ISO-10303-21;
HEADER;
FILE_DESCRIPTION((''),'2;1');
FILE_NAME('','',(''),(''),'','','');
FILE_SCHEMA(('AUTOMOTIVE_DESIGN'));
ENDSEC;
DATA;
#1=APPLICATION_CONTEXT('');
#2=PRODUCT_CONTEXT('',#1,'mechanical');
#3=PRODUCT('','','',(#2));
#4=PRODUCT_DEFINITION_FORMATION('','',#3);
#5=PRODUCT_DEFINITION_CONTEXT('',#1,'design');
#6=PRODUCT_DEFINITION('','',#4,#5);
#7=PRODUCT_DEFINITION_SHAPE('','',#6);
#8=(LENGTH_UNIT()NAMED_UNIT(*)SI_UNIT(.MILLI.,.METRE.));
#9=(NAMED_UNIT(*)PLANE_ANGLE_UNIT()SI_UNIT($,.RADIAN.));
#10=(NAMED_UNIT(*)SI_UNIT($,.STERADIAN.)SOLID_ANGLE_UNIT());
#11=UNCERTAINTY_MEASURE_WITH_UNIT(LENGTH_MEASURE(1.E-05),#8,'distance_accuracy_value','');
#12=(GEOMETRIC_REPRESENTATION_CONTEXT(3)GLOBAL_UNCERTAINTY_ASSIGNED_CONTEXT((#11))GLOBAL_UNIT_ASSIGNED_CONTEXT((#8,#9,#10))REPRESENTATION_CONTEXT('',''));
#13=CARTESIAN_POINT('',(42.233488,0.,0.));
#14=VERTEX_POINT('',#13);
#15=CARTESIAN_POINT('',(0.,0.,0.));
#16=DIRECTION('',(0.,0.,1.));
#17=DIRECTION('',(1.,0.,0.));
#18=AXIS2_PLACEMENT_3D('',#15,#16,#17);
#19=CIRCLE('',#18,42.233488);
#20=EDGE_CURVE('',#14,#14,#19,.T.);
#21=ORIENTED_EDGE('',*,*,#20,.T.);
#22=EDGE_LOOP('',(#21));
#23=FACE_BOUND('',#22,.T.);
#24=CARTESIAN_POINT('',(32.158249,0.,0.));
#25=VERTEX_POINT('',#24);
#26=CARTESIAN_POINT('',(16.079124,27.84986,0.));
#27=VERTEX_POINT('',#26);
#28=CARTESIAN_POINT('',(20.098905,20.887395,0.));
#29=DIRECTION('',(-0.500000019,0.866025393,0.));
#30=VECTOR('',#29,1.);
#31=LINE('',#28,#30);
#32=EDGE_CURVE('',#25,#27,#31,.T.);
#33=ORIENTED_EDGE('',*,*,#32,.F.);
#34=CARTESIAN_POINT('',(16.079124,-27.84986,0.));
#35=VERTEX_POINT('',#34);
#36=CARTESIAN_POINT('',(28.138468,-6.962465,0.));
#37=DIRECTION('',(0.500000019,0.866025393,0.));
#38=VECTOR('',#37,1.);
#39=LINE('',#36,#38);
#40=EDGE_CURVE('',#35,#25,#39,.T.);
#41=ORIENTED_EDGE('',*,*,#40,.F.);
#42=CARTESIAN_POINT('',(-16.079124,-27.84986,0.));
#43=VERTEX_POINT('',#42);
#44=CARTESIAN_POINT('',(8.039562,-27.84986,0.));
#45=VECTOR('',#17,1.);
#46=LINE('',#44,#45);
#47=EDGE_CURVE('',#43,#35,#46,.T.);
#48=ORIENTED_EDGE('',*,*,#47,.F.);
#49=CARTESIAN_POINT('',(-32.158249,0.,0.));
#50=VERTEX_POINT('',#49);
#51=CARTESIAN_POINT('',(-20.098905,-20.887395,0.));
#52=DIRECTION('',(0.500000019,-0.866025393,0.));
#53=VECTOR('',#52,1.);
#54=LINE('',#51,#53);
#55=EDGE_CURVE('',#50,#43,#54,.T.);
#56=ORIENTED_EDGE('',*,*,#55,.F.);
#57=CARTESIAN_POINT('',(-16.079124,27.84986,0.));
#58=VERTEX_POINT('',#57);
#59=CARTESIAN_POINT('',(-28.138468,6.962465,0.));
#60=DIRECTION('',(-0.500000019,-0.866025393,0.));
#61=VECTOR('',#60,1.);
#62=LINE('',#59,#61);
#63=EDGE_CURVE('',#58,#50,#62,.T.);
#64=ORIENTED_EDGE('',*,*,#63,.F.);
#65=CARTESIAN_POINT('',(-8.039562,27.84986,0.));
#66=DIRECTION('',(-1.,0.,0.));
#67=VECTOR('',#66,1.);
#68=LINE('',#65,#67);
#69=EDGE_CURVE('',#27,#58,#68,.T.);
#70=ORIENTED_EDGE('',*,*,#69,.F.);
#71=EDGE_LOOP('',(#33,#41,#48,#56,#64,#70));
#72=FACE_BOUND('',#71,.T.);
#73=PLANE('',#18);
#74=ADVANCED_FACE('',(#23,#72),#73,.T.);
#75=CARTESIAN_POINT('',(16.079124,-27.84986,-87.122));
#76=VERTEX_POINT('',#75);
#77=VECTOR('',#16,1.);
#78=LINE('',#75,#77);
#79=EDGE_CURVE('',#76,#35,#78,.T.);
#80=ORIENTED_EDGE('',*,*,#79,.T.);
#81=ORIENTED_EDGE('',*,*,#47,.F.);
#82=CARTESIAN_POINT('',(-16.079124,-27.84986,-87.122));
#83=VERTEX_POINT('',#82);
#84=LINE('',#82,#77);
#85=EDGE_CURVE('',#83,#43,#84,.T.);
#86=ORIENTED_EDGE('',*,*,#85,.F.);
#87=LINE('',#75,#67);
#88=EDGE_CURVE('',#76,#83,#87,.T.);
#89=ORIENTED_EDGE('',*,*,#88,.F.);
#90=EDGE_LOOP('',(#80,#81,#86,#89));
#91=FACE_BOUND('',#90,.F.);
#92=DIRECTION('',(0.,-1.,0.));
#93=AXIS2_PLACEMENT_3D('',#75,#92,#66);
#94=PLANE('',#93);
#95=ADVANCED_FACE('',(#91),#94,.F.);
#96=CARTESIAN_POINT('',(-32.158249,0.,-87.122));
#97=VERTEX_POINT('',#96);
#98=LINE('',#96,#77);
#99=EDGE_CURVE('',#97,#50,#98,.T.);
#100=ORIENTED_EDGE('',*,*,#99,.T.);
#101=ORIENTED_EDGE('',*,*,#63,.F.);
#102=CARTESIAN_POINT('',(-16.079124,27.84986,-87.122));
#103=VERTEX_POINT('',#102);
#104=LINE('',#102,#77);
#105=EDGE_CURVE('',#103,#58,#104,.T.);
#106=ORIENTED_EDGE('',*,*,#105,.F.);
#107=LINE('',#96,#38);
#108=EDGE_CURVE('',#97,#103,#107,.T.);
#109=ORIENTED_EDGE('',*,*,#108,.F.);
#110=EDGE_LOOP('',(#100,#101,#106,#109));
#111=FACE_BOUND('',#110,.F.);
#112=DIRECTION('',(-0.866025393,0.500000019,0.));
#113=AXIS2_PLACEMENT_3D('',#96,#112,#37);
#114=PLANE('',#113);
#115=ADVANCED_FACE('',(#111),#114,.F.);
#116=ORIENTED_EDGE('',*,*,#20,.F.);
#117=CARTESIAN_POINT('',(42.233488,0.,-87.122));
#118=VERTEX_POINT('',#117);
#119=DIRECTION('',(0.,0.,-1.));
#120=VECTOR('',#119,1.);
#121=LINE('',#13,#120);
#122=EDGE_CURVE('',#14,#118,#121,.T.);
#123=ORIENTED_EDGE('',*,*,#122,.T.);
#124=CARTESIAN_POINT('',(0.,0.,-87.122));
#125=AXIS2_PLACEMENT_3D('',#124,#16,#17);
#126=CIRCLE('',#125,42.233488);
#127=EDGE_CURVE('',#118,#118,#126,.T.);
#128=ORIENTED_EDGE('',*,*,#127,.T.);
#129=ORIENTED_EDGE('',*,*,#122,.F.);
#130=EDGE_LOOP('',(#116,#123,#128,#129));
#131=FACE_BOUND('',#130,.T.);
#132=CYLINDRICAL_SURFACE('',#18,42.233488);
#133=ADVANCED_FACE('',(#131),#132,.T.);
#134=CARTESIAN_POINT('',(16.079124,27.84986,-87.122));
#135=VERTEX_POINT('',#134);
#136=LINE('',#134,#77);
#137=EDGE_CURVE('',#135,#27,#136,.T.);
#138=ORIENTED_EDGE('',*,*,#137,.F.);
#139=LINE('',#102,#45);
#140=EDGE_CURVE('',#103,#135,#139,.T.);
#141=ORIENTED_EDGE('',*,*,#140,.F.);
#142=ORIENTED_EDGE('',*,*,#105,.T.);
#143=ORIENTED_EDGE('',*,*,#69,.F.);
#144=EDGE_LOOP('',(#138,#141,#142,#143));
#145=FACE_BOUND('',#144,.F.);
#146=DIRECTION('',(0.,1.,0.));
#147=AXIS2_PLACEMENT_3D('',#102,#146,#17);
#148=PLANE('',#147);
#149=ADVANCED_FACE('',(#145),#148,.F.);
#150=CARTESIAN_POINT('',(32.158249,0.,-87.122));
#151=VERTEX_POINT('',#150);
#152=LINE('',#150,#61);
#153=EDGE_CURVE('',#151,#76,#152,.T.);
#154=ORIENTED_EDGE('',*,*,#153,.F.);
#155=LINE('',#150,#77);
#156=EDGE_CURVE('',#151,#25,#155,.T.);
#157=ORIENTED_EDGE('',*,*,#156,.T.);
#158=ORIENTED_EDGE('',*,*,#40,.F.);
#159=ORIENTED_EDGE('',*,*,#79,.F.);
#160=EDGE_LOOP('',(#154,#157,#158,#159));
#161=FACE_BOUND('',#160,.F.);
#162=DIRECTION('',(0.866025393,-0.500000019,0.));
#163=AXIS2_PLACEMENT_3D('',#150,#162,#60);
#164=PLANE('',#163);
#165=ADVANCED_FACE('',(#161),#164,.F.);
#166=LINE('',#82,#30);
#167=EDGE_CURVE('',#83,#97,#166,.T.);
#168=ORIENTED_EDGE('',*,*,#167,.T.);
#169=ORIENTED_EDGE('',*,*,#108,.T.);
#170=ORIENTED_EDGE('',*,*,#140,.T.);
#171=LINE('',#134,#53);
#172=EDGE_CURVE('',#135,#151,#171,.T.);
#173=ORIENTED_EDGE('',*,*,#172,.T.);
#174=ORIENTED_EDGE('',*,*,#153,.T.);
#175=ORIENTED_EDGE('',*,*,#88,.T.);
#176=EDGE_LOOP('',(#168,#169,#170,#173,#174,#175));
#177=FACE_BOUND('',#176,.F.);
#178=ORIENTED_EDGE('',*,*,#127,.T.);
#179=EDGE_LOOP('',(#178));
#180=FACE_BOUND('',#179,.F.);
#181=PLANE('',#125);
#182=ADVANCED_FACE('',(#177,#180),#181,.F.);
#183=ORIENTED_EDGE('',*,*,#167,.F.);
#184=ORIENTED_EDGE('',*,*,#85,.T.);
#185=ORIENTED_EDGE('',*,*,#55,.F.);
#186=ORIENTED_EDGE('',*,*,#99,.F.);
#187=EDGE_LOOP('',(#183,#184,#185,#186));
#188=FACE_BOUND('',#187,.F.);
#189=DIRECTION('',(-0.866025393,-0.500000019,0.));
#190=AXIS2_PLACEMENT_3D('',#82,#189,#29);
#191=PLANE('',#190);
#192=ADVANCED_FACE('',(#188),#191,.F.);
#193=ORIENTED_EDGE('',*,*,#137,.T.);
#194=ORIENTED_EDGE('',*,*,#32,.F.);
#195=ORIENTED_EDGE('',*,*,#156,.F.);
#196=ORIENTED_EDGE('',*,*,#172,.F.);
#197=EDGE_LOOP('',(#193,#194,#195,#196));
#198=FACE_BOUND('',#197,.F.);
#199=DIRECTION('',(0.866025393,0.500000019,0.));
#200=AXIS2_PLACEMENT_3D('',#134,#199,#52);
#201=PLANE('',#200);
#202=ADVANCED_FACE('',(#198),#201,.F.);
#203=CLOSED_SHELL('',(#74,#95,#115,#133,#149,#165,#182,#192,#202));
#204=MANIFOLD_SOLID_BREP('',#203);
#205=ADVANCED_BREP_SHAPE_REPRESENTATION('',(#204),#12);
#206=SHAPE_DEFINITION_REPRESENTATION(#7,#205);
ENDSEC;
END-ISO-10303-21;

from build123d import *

# Parameters (mm, degrees)
F0_R     = 42.233488
F1_DEPTH = 87.122
F3_DEPTH = 165.862


with BuildPart() as f1:
    # F0 (on Top) → F1 (new body)
    with BuildSketch(Plane.XY):
        Circle(F0_R)
    extrude(amount=-F1_DEPTH)

    # F2 (on face) → F3 (cut)
    with BuildSketch(Plane(origin=(0, 0, -87.122), x_dir=(1, 0, 0), z_dir=(0, 0, -1))):
        Polygon((16.079124, 27.84986), (-16.079124, 27.84986), (-32.158249, 0), (-16.079124, -27.84986), (16.079124, -27.84986), (32.158249, 0), align=None)
    extrude(amount=-F3_DEPTH, mode=Mode.SUBTRACT)


solid = f1.part
